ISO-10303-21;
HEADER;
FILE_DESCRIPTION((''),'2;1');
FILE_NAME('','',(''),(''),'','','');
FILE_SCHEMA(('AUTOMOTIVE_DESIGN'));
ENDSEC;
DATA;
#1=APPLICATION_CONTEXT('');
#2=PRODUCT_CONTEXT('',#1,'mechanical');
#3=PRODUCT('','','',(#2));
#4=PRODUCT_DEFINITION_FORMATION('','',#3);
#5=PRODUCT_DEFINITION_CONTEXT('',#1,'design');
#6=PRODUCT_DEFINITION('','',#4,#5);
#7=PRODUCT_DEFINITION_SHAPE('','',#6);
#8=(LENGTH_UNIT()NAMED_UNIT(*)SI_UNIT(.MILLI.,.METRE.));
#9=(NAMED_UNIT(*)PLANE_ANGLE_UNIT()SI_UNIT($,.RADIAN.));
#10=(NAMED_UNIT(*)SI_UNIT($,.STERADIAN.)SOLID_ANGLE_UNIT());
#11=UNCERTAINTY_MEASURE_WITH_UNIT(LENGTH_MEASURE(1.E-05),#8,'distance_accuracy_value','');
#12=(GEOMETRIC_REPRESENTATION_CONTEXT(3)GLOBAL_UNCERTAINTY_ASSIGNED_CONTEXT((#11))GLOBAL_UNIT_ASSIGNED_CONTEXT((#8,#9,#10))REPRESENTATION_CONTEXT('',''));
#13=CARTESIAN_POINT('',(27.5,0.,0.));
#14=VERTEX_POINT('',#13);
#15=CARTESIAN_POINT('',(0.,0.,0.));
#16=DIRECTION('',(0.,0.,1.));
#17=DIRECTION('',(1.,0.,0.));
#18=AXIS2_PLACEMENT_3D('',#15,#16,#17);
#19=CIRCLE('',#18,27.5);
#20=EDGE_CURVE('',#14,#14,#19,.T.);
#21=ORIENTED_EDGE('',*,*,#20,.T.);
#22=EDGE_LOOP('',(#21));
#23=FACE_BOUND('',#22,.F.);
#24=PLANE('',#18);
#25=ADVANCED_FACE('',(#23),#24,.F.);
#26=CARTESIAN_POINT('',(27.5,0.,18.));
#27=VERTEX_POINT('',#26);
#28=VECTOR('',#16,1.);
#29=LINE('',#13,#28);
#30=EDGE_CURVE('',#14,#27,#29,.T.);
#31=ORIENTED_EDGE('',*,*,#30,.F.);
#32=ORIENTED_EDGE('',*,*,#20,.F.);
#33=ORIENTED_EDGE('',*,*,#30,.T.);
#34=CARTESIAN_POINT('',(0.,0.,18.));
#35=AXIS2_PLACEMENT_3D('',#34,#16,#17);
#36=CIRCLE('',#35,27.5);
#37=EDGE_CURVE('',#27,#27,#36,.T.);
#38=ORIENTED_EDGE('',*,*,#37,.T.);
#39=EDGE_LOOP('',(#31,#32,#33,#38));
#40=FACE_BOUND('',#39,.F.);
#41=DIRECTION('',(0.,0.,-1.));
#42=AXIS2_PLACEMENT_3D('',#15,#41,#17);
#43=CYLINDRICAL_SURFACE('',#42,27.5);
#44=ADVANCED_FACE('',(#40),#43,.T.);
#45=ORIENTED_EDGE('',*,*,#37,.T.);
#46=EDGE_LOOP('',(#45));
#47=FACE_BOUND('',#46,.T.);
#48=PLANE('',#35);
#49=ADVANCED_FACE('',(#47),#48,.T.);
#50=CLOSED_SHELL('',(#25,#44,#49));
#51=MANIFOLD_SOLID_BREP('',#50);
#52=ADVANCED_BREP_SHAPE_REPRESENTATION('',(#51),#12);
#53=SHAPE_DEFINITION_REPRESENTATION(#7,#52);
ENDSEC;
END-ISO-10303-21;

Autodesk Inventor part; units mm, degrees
ref_plane "YZ Plane" through (0, 0, 0) normal (1, 0, 0) x (0, 1, 0)
ref_plane "XZ Plane" through (0, 0, 0) normal (0, 1, 0) x (-1, 0, 0)
ref_plane "XY Plane" through (0, 0, 0) normal (0, 0, 1) x (1, 0, 0)
sketch "Эскиз1" plane through (0, 0, 0) normal (0, 0, 1) x (1, 0, 0)
  circle A0 centre (0, 0) radius 27.5
  dimension "d0" = 55
extrude "Выдавливание1" add sketch "Эскиз1" along normal blind 18
equation "\"Радиус_гибки\" = Толщина"
equation "\"Ширина_просечки\" = Толщина"
equation "\"Глубина_просечки\" = 0.5 * Толщина"
equation "\"Размер_просечки\" = 4 * Толщина"
equation "\"Мин_остаток\" = 2 * Толщина"
equation "\"Радиус_перехода\" = Радиус_гибки"
equation "\"Радиус_Якоби\" = Радиус_гибки"
equation "\"Размер_зазора\" = Толщина"
equation "\"Толщина\" = 0.5"
properties part number "Бублик"
